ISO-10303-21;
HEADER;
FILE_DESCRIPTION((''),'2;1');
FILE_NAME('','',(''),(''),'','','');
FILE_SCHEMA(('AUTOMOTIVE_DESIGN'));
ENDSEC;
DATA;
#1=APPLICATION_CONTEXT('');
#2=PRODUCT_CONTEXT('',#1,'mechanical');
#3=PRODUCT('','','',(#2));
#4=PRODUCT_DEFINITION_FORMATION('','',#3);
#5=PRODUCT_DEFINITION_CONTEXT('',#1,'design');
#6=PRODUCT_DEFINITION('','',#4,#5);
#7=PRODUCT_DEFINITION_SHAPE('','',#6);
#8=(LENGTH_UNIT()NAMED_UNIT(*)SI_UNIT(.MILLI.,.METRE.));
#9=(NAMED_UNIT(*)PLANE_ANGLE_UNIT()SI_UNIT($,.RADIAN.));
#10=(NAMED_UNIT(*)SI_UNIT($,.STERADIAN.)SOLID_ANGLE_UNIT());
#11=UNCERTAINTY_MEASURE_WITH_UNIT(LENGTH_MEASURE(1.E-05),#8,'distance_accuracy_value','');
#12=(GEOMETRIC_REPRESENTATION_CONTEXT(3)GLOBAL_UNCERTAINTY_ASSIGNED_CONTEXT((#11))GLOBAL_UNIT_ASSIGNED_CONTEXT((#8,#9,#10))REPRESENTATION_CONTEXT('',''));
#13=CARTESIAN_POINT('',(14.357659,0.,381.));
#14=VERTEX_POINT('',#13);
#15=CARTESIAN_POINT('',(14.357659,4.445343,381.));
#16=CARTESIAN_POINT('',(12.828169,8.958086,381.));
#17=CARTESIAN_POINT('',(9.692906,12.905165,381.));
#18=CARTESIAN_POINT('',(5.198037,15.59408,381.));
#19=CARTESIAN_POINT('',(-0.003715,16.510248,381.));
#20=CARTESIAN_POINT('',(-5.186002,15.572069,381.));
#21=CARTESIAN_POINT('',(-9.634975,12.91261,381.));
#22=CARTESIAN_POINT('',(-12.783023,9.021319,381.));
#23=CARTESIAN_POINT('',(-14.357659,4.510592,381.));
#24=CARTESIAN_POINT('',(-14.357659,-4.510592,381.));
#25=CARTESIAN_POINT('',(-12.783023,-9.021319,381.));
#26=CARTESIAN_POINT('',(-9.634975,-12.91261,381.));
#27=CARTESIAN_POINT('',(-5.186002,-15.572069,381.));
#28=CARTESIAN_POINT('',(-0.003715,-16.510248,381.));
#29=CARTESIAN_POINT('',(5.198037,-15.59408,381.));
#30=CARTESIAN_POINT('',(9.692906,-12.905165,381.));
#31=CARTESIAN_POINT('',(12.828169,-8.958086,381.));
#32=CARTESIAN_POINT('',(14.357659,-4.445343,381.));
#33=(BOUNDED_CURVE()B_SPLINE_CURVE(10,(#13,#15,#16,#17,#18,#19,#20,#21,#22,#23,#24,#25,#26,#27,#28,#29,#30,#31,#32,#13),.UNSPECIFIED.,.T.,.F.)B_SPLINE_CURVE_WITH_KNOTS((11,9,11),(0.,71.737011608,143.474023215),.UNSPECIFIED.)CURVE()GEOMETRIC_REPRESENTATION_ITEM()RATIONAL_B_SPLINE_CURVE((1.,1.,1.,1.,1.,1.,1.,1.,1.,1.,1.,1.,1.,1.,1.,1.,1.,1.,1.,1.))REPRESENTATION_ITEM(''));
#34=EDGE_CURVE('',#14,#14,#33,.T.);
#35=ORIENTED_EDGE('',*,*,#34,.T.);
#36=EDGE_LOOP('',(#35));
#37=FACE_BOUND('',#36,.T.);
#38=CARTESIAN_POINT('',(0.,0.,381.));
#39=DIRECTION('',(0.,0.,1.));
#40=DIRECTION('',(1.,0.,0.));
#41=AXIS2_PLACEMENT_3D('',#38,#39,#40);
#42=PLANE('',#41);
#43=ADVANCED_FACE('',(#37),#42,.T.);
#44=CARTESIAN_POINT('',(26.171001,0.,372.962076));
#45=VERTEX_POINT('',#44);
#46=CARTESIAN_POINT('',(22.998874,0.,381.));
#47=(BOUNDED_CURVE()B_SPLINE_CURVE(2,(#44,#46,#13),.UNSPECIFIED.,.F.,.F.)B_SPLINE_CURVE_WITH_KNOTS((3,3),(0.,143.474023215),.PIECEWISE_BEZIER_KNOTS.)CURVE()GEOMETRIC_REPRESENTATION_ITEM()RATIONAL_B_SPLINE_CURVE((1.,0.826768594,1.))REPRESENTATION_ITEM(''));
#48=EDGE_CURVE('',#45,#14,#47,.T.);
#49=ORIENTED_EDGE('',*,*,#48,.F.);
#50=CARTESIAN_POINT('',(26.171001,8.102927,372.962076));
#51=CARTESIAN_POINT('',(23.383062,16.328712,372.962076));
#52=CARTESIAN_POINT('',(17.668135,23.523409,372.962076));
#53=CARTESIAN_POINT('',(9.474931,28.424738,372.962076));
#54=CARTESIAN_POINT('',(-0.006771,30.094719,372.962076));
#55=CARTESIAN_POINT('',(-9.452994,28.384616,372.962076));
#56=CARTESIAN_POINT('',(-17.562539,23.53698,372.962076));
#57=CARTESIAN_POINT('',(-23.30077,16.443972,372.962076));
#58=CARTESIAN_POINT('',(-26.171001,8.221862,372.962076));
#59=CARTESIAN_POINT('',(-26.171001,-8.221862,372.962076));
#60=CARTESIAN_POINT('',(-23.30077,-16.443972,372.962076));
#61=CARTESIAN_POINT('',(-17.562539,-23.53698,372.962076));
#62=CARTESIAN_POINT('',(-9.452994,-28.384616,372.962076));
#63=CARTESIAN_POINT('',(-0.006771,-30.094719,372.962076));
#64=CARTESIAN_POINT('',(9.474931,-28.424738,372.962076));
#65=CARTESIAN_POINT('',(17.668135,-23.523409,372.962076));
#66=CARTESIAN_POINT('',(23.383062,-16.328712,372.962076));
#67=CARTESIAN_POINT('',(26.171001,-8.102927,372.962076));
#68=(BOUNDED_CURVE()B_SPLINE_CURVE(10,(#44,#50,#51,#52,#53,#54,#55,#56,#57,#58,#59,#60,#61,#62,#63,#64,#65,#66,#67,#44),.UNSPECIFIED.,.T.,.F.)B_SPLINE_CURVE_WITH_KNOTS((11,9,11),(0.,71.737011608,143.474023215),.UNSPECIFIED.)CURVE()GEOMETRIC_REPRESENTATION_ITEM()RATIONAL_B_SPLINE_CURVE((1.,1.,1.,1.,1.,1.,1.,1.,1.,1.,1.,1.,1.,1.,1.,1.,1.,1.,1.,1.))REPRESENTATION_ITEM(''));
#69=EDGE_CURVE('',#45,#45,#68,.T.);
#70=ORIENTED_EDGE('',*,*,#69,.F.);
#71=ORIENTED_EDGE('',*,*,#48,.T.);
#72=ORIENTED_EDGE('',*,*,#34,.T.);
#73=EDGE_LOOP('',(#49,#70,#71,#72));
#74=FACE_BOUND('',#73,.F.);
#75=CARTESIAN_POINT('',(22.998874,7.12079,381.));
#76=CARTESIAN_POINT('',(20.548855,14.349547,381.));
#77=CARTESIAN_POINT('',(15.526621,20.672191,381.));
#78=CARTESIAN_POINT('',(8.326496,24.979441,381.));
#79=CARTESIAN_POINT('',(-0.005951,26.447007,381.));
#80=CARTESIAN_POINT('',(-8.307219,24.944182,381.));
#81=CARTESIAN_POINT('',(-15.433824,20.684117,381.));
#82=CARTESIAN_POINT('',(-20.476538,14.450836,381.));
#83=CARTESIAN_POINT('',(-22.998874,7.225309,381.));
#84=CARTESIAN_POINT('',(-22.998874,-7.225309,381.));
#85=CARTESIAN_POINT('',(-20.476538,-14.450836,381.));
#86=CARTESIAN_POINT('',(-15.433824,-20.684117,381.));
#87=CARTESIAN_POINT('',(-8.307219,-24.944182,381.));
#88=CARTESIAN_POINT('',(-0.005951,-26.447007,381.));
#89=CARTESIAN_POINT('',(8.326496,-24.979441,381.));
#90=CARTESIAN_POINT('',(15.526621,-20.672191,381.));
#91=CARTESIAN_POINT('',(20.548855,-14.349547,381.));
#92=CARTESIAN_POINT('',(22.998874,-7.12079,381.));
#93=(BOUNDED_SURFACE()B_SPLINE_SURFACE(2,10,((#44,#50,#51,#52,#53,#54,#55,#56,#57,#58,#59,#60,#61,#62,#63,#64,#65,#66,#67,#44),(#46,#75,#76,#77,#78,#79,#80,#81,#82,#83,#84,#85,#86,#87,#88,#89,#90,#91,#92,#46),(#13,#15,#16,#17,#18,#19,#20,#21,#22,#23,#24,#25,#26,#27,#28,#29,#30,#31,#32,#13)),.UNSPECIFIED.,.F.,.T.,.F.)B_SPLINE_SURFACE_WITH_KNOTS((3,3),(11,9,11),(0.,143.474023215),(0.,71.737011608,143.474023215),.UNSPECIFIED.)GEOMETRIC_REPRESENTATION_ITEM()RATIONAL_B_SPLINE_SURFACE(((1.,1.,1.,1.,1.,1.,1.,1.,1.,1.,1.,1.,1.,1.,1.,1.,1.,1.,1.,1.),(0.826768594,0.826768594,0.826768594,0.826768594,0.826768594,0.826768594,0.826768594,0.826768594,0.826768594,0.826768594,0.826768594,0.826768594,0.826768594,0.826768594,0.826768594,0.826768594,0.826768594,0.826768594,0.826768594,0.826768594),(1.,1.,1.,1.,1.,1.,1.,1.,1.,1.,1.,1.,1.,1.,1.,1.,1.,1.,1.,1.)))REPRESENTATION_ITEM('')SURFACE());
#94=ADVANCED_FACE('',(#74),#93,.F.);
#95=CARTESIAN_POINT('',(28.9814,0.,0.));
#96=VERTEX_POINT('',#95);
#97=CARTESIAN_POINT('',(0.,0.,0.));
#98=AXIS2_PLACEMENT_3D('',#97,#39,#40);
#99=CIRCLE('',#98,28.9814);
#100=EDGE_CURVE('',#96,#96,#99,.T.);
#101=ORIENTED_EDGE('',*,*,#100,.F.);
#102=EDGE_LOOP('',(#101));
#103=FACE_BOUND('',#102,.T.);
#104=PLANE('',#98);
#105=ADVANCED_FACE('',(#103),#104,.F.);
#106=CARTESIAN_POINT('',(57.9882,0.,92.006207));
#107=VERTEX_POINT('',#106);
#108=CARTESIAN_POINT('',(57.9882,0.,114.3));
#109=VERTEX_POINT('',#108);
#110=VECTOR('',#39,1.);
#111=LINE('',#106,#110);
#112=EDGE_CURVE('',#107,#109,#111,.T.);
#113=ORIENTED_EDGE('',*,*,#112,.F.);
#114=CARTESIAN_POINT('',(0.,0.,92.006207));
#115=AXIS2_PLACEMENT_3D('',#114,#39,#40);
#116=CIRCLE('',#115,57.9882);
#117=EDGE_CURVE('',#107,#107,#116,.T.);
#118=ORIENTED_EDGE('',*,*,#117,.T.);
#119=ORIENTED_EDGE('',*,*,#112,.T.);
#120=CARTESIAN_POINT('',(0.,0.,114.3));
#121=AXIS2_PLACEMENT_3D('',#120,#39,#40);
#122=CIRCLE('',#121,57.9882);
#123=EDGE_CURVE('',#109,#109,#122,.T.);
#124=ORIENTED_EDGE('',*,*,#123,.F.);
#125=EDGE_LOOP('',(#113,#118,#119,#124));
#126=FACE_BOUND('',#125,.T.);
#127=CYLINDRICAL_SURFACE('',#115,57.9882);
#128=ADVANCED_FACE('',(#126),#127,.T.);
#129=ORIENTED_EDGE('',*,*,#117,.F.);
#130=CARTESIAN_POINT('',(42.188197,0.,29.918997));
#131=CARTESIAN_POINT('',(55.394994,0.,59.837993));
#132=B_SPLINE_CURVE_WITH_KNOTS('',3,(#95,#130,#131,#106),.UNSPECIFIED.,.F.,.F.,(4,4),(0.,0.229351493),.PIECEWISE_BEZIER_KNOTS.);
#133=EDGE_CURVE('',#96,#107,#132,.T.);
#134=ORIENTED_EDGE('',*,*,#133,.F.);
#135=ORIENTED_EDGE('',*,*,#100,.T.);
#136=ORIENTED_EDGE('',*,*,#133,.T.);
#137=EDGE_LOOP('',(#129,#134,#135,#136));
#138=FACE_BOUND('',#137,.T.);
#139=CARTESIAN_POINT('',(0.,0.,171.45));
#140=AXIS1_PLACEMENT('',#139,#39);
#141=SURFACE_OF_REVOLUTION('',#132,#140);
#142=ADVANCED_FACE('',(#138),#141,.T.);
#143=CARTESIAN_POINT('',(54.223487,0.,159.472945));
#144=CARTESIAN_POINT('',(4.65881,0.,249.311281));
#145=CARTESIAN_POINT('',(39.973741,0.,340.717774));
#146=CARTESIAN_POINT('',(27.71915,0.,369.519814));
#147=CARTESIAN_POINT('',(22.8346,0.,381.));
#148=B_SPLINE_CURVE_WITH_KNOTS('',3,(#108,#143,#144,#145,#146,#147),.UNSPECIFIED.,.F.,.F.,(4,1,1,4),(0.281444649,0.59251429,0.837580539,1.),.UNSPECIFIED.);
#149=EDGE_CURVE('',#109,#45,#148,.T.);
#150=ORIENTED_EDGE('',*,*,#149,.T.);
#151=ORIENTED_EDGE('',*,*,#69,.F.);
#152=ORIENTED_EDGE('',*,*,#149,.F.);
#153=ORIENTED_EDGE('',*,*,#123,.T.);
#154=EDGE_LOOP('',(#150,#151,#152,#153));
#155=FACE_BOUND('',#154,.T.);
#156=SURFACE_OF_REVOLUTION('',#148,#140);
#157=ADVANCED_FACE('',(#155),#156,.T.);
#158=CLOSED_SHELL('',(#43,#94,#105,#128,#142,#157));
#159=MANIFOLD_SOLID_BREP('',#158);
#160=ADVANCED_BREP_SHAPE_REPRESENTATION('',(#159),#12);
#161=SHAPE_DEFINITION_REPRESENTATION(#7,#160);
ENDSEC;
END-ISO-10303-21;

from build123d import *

# Parameters (mm, degrees)
F2_R = 12.7


with BuildPart() as f1:
    # F0 (on Front) → F1 (revolve)
    with BuildSketch(Plane.XZ):
        with BuildLine():
            Line((0, 114.3), (0, 0))
            Line((0, 0), (14.4836856052, 0))
            Line((14.4836856052, 0), (22.8346, 0))
            Line((22.8346, 0), (28.9814, 0))
            add(Edge.make_bspline(
                [(28.9814, 0), (42.1881970844, 29.9189965839), (55.3949941687, 59.8379931678), (57.9882, 92.0062074056)],
                knots=[0, 0, 0, 0, 0.2293514926, 0.2293514926, 0.2293514926, 0.2293514926], degree=3))
            Line((57.9882, 92.0062074056), (57.9882, 114.3))
            add(Edge.make_bspline(
                [(57.9882, 114.3), (54.2234868487, 159.4729448042), (4.658809757, 249.3112807238), (39.9737413256, 340.71777425), (27.7191496343, 369.5198139559), (22.8346, 381)],
                knots=[0.2814446489, 0.2814446489, 0.2814446489, 0.2814446489, 0.5925142902, 0.8375805392, 1, 1, 1, 1], degree=3))
            Line((22.8346, 381), (0, 381))
            Line((0, 381), (0, 342.9))
            Line((0, 342.9), (0, 254))
            Line((0, 254), (0, 114.3))
        make_face()
    revolve(axis=Axis((0, 0, 171.45), (0, 0, 1)))

    # F2
    f2_edges = [f1.edges().sort_by_distance(p)[0] for p in [
        (-22.8346, 0, 381),
    ]]
    fillet(f2_edges, radius=F2_R)


solid = f1.part
